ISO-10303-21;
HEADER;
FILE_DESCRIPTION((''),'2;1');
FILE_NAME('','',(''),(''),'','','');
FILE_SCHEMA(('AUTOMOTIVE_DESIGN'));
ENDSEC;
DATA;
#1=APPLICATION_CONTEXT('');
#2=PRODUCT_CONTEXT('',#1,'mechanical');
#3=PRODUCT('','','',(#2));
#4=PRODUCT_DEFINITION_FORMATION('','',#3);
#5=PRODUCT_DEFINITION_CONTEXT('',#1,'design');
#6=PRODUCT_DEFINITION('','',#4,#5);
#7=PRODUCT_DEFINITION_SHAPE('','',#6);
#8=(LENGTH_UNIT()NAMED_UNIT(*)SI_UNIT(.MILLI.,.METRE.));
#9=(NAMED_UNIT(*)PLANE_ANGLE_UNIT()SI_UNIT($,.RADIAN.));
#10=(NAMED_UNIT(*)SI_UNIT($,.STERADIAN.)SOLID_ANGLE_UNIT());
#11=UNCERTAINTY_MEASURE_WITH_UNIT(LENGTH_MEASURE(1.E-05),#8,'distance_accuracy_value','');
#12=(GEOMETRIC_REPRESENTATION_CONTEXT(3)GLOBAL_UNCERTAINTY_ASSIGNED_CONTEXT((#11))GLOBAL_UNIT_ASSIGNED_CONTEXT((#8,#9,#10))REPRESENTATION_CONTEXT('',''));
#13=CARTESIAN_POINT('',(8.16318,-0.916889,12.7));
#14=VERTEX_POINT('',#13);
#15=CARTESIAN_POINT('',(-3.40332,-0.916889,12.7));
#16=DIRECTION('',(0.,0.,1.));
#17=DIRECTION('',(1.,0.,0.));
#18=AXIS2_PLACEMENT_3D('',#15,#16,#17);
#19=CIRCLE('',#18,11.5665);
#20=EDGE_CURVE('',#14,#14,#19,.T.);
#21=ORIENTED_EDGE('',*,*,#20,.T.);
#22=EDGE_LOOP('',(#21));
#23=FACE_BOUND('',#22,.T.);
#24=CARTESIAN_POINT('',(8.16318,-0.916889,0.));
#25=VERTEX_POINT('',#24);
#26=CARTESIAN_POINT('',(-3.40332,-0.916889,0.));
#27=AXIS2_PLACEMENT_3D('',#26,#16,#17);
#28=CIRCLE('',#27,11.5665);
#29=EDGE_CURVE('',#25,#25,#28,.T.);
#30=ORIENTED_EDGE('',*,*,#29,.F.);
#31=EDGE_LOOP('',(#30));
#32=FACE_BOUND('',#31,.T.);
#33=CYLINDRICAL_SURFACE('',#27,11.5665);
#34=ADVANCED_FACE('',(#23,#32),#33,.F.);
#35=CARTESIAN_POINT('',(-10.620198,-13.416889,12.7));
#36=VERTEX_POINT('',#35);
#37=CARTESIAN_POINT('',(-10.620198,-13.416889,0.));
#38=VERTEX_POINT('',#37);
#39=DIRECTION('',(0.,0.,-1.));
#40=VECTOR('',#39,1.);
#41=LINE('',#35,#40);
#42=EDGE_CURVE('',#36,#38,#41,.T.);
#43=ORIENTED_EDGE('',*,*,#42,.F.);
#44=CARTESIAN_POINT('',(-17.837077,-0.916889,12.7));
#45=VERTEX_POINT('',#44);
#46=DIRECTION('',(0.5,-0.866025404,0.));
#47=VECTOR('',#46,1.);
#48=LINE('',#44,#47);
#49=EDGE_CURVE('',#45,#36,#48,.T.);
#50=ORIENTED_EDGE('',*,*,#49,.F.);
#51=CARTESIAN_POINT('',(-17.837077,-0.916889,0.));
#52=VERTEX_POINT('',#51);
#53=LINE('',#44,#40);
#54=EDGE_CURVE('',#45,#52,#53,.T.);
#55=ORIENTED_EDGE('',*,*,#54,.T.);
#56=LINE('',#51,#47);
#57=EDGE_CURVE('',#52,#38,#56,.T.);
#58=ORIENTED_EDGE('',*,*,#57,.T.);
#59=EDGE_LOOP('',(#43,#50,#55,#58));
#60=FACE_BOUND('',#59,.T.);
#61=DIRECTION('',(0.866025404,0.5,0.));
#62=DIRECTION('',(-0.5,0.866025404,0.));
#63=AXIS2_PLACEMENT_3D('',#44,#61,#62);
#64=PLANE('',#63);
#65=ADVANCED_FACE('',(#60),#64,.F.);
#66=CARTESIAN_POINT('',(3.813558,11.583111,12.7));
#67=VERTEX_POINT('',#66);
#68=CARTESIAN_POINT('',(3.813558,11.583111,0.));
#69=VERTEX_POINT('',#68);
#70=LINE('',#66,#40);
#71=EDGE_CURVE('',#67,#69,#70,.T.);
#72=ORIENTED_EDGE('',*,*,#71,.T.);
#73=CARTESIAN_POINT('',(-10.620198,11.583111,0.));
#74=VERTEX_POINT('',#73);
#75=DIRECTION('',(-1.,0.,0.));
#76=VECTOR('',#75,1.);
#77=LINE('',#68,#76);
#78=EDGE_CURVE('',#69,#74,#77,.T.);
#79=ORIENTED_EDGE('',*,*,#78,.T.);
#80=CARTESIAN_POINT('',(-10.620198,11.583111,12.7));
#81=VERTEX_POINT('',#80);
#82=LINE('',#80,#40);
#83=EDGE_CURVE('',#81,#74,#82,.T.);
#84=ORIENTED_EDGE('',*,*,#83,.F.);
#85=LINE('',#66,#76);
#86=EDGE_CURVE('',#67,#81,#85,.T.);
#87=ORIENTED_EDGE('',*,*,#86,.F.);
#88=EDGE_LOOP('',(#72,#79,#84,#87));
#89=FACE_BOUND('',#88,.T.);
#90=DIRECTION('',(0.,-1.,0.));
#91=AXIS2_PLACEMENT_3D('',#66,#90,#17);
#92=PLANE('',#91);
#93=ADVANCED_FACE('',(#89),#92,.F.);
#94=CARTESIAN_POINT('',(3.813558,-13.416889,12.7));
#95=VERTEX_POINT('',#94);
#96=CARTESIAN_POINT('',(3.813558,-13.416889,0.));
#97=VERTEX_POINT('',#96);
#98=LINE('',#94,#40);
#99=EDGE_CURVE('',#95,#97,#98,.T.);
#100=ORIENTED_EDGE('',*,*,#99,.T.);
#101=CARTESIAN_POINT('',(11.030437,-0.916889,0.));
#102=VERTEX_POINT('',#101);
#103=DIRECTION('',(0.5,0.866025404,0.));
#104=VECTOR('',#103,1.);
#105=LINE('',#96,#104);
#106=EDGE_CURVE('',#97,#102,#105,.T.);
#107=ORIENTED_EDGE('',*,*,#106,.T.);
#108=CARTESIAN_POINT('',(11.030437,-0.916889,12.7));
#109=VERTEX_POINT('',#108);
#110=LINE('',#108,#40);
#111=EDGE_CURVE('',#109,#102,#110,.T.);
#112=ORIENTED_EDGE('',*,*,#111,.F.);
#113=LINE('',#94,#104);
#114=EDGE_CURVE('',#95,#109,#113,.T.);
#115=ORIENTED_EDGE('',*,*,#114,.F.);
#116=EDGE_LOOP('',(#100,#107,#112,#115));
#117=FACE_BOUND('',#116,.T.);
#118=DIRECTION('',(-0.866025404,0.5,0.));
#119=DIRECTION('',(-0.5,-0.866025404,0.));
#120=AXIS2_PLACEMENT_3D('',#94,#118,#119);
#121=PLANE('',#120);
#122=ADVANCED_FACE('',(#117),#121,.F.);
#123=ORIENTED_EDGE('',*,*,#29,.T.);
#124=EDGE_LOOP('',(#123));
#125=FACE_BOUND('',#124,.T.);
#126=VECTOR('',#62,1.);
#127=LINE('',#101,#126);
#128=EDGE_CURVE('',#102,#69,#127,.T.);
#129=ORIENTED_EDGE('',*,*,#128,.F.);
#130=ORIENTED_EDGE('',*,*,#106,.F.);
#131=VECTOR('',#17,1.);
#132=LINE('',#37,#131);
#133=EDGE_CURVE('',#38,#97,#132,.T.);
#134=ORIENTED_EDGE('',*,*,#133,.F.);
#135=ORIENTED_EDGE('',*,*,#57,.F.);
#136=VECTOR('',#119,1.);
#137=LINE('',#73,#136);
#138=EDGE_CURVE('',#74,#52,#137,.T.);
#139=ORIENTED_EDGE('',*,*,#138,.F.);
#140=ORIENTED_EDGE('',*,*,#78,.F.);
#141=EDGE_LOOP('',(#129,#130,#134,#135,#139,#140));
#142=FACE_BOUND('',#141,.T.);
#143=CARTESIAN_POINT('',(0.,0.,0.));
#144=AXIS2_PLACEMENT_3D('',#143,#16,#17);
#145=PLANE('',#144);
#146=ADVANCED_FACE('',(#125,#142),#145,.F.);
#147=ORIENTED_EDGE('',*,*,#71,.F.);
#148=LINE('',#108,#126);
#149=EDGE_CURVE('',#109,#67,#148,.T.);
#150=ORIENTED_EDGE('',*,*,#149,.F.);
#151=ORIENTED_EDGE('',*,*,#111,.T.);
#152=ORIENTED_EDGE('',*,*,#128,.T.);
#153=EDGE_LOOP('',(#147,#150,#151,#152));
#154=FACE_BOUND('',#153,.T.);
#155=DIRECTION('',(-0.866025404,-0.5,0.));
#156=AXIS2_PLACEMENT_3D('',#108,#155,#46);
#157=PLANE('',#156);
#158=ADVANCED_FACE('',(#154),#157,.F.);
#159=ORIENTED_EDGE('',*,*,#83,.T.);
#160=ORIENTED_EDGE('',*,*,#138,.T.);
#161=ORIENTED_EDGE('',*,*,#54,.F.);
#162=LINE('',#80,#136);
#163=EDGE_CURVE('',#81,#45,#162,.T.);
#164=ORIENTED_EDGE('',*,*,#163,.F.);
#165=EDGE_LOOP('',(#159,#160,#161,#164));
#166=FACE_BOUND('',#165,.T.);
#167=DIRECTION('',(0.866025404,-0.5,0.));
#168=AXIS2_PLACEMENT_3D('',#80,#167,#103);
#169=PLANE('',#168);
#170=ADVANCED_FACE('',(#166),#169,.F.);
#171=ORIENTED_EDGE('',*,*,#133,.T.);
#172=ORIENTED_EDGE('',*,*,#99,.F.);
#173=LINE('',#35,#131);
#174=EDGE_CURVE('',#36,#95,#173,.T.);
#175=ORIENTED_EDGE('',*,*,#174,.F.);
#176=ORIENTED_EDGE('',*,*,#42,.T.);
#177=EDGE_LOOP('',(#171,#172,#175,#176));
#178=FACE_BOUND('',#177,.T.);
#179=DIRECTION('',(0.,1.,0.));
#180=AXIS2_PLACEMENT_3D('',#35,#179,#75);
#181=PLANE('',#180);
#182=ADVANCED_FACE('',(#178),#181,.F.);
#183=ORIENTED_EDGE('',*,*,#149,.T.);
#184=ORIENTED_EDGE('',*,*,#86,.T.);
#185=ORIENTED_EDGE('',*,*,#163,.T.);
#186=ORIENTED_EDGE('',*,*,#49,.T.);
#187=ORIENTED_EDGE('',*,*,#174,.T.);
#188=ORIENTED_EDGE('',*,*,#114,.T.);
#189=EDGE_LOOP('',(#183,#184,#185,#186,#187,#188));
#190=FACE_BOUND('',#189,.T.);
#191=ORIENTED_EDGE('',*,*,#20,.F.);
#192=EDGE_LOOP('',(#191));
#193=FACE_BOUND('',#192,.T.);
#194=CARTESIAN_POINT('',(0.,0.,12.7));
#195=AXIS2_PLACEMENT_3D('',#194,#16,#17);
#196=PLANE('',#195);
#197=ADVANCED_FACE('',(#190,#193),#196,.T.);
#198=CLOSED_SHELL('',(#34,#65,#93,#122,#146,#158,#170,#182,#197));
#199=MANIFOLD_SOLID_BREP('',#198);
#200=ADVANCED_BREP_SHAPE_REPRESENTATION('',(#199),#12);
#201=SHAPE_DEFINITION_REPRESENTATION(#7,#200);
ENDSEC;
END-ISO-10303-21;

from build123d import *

# Parameters (mm, degrees)
BOSS_EXTRUDE1_DEPTH = 12.7
SKETCH2_R           = 11.5665
CUT_EXTRUDE1_DEPTH  = 12.7


with BuildPart() as part:
    # Sketch1 → Boss-Extrude1 (new body)
    with BuildSketch(Plane.XY):
        Polygon((-10.620198345, 11.583111088), (-17.83707671, -0.916888912), (-10.620198345, -13.416888912), (3.813558385, -13.416888912), (11.03043675, -0.916888912), (3.813558385, 11.583111088), align=None)
    extrude(amount=BOSS_EXTRUDE1_DEPTH)

    # Sketch2 → Cut-Extrude1 (cut)
    with BuildSketch(Plane.XY.offset(12.7)):
        with Locations((-3.40331998, -0.916888912)):
            Circle(SKETCH2_R)
    extrude(amount=-CUT_EXTRUDE1_DEPTH, mode=Mode.SUBTRACT)


solid = part.part
